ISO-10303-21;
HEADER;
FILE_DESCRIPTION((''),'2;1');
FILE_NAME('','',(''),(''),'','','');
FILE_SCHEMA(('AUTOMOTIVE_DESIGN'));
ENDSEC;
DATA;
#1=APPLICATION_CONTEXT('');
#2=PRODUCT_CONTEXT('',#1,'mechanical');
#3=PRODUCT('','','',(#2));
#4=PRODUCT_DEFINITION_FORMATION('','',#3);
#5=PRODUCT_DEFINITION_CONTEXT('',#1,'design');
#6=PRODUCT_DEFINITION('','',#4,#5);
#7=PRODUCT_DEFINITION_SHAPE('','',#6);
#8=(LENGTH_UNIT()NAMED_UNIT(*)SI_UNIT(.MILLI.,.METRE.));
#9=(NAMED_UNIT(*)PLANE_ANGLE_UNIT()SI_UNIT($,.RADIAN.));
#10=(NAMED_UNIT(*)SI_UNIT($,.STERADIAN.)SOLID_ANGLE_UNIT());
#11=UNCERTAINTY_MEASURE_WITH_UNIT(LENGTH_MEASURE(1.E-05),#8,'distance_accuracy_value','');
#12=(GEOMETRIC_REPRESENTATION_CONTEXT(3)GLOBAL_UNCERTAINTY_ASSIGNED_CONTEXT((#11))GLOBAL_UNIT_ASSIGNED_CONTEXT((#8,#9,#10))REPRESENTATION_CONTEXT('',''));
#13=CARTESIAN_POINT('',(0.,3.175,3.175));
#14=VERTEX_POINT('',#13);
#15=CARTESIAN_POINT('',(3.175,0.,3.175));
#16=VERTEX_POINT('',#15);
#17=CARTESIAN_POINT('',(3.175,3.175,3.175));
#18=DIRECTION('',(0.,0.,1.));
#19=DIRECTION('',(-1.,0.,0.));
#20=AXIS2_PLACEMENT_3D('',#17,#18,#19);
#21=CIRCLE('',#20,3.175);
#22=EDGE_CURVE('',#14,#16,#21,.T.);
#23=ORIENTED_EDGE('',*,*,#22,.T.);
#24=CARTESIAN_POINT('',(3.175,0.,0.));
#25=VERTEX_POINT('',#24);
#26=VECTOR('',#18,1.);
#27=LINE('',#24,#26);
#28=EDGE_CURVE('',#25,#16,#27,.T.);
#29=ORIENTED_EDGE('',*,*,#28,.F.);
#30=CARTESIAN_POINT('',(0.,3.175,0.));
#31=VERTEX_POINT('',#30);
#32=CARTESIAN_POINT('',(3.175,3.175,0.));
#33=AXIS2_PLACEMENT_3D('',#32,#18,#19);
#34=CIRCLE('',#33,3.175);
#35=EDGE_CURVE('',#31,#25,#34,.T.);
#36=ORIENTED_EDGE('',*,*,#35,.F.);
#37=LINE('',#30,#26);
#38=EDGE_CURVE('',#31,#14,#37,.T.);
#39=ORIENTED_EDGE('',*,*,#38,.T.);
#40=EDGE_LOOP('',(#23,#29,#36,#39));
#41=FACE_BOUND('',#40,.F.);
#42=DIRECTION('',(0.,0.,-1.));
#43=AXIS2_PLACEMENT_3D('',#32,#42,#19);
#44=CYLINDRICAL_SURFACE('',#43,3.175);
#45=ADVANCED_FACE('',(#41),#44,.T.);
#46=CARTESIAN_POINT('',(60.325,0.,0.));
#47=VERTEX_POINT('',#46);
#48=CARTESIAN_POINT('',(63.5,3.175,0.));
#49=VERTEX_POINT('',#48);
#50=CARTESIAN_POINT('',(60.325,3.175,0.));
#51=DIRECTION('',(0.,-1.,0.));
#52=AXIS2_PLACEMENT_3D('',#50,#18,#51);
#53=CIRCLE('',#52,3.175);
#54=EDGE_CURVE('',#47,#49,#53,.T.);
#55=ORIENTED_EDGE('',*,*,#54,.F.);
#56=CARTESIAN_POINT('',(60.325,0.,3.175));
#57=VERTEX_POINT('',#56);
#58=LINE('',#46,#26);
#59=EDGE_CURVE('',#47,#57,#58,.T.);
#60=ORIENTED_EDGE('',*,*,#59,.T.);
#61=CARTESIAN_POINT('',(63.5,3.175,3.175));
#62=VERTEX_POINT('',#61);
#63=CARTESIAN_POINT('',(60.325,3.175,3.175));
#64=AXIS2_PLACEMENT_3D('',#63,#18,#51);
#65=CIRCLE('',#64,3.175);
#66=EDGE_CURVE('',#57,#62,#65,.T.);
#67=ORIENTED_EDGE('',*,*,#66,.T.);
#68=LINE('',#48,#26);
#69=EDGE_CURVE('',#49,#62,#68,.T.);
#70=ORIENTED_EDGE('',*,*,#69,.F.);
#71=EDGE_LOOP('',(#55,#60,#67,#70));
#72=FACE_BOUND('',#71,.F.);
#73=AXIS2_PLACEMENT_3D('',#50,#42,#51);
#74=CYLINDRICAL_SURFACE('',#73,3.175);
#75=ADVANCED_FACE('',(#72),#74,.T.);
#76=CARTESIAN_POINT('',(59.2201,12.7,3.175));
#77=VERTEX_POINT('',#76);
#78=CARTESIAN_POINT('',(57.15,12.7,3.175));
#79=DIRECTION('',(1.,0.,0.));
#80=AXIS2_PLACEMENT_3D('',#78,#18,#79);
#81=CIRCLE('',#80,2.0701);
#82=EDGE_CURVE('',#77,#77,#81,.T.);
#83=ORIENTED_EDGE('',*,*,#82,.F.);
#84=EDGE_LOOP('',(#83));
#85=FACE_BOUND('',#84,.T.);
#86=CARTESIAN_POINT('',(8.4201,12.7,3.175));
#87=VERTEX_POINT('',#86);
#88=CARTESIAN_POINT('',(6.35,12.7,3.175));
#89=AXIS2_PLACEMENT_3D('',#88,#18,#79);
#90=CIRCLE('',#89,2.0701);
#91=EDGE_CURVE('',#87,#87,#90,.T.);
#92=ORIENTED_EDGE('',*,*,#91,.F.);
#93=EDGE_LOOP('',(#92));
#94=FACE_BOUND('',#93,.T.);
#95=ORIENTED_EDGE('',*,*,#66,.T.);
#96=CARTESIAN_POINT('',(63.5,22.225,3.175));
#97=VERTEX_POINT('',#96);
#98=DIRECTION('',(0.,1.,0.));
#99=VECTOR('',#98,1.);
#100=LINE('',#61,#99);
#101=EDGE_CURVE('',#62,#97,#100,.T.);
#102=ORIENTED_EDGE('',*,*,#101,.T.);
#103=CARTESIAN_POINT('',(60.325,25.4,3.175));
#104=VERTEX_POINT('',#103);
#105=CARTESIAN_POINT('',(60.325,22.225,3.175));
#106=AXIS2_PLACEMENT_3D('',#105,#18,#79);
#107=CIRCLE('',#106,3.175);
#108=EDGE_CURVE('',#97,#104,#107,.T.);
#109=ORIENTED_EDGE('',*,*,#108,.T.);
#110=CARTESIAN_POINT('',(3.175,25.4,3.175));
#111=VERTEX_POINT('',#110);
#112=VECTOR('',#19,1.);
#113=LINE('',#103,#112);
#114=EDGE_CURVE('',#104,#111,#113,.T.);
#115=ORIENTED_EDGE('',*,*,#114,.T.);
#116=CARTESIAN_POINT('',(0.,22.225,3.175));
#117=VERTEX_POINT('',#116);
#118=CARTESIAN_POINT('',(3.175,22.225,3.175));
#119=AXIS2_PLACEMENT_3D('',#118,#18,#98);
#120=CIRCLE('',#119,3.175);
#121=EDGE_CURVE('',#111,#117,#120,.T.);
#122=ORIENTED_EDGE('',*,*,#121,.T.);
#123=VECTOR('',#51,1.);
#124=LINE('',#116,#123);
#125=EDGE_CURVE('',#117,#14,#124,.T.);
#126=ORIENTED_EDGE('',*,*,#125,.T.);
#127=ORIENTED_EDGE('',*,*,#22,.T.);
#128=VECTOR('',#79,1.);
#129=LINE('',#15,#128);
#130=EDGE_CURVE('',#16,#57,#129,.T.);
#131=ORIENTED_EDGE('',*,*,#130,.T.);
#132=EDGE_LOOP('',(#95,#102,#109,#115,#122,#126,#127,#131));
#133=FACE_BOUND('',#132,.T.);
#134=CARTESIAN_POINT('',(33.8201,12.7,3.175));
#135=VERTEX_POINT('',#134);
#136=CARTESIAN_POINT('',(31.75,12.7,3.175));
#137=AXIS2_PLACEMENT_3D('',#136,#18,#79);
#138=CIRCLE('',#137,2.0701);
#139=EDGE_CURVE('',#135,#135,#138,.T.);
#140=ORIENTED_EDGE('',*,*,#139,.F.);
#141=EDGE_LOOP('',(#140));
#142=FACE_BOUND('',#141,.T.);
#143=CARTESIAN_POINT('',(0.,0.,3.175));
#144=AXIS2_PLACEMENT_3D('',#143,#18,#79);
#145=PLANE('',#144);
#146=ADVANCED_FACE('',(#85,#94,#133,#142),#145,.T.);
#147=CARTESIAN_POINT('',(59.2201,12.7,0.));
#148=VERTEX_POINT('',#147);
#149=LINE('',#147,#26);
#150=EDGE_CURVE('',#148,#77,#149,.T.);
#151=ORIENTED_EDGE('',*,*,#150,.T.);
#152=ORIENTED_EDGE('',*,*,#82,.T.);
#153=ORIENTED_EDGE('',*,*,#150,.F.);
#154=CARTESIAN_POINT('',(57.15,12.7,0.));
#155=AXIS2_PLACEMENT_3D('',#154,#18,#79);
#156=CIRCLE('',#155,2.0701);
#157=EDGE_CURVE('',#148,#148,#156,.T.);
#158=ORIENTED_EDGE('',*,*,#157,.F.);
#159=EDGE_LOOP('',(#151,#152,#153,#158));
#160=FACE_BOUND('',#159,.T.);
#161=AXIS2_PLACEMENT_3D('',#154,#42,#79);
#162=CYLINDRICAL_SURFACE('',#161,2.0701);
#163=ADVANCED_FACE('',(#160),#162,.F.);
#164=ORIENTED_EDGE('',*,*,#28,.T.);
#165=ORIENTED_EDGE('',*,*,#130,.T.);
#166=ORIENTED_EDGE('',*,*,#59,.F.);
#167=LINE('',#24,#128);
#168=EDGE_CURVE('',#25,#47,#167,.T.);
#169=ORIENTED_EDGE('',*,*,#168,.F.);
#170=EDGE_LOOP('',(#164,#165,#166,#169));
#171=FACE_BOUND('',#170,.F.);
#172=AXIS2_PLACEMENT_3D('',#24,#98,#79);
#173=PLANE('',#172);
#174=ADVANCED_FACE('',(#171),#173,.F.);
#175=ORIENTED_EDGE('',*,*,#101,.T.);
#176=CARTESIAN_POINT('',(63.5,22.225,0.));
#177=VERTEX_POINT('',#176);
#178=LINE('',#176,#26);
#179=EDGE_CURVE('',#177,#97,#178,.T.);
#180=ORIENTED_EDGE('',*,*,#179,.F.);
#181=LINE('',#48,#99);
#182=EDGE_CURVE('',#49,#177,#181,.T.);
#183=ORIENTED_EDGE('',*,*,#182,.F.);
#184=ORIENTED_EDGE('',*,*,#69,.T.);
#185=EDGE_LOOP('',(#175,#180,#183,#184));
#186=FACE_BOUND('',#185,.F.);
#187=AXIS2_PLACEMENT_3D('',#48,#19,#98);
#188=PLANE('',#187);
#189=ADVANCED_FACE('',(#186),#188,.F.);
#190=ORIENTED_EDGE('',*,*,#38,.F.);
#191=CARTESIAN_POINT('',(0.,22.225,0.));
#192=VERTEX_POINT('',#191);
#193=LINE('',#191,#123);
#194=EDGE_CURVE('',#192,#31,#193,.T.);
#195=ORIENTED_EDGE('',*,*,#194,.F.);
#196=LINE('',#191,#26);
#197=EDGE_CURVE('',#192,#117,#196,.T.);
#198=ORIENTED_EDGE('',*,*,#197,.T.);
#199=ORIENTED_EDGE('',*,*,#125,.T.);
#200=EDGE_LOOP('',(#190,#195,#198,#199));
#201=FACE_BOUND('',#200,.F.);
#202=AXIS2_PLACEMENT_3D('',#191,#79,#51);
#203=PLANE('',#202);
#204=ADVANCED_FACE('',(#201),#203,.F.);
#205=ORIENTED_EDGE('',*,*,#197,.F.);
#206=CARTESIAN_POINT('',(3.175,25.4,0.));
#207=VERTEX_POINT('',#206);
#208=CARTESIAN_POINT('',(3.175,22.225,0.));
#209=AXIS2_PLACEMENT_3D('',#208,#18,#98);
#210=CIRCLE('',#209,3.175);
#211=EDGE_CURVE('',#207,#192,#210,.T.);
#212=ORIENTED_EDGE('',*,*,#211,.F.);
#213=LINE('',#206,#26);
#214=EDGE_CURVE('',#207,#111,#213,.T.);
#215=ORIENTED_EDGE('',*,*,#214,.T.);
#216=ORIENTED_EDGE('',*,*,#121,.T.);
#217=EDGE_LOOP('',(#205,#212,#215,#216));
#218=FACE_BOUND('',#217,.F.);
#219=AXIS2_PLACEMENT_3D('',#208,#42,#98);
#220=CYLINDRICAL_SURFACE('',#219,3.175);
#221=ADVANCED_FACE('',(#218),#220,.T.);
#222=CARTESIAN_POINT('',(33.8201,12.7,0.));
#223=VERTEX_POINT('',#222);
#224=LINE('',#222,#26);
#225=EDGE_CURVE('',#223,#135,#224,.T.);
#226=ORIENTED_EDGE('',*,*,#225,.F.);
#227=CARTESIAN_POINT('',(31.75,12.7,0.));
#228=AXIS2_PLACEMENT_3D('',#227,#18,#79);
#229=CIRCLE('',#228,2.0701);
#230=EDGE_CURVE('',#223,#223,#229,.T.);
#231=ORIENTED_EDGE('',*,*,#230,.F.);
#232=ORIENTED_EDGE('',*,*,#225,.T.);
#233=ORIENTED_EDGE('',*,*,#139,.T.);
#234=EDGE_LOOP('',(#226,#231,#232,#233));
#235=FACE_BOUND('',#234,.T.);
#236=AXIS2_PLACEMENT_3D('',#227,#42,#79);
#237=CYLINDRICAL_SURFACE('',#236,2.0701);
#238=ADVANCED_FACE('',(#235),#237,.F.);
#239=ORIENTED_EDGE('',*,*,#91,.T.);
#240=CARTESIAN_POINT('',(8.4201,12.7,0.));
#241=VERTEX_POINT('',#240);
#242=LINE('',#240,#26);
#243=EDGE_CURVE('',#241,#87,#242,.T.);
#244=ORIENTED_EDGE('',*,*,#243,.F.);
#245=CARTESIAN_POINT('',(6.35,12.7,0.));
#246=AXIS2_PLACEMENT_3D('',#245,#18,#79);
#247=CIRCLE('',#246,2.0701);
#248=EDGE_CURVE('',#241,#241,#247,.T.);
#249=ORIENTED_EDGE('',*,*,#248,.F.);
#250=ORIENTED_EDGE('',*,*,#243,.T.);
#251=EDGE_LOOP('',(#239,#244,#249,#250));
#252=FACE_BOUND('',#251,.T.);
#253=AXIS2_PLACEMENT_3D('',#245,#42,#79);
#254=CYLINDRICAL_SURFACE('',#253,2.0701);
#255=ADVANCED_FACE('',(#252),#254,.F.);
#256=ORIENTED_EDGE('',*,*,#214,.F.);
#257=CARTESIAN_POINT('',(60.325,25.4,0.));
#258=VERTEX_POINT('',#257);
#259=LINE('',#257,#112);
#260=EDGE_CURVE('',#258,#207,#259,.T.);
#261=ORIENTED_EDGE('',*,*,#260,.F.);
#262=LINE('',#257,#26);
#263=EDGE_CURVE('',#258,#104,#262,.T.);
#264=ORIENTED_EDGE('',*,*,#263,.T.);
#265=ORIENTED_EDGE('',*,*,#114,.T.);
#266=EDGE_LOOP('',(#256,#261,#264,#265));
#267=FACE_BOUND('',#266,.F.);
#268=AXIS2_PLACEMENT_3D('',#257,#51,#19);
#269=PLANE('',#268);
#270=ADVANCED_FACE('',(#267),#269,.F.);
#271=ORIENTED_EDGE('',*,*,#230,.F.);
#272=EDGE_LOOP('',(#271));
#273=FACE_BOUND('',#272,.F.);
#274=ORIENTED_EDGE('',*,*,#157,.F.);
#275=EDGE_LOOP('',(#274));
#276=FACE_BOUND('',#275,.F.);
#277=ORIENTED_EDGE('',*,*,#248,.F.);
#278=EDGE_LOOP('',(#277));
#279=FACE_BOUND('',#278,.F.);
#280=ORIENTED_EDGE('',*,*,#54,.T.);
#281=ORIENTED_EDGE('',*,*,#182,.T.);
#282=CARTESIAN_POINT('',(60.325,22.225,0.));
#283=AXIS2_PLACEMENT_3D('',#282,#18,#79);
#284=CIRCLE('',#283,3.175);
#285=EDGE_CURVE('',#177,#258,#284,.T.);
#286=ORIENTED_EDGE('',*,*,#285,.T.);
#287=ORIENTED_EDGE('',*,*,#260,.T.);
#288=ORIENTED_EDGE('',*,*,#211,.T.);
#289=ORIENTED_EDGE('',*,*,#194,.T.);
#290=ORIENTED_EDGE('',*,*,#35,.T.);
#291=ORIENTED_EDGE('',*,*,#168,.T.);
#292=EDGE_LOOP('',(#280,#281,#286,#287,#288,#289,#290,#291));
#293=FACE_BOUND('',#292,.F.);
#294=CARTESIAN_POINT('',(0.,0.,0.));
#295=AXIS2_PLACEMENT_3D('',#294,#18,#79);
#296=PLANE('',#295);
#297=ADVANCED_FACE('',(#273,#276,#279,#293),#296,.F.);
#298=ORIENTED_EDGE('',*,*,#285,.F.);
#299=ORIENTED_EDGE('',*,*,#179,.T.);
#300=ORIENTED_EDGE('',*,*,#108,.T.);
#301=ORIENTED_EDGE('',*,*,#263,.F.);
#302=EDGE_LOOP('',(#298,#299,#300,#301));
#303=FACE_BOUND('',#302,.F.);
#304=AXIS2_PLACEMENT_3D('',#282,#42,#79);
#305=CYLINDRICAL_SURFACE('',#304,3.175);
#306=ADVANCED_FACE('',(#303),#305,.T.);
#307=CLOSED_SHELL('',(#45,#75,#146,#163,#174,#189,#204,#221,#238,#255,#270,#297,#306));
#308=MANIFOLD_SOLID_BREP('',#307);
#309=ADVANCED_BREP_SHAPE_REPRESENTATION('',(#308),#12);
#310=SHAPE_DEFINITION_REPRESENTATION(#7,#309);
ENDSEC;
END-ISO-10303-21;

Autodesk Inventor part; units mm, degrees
ref_plane "YZ Plane" through (0, 0, 0) normal (1, 0, 0) x (0, 1, 0)
ref_plane "XZ Plane" through (0, 0, 0) normal (0, 1, 0) x (-1, 0, 0)
ref_plane "XY Plane" through (0, 0, 0) normal (0, 0, 1) x (1, 0, 0)
sketch "Sketch1" plane through (0, 0, 0) normal (0, 0, 1) x (1, 0, 0)
  line L0 (3.175, 0) -> (60.325, 0)
  line L1 (63.5, 3.175) -> (63.5, 22.225)
  line L2 (60.325, 25.4) -> (3.175, 25.4)
  line L3 (0, 22.225) -> (0, 3.175)
  circle A0 centre (6.35, 12.7) radius 2.0701
  line L4 (0, 12.7) -> (63.5, 12.7) construction
  circle A1 centre (31.75, 12.7) radius 2.0701
  circle A2 centre (57.15, 12.7) radius 2.0701
  arc A3 (3.175, 25.4) -> (0, 22.225) centre (3.175, 22.225) ccw
  arc A4 (63.5, 22.225) -> (60.325, 25.4) centre (60.325, 22.225) ccw
  arc A5 (60.325, 0) -> (63.5, 3.175) centre (60.325, 3.175) ccw
  arc A6 (0, 3.175) -> (3.175, 0) centre (3.175, 3.175) ccw
  point P0 (0, 0)
  point P1 (63.5, 25.4)
  point P2 (63.5, 0)
  point P3 (0, 25.4)
  dimension "d0" = 63.5
  dimension "d1" = 25.4
  dimension "d2" = 6.35
  dimension "d3" = 4.1402
  dimension "d6" = 25.4
  dimension "d11" = 3.175
extrude "Extrusion1" add sketch "Sketch1" along normal blind 3.175
properties part number "Spacer 4" material "ABS Plastic"
